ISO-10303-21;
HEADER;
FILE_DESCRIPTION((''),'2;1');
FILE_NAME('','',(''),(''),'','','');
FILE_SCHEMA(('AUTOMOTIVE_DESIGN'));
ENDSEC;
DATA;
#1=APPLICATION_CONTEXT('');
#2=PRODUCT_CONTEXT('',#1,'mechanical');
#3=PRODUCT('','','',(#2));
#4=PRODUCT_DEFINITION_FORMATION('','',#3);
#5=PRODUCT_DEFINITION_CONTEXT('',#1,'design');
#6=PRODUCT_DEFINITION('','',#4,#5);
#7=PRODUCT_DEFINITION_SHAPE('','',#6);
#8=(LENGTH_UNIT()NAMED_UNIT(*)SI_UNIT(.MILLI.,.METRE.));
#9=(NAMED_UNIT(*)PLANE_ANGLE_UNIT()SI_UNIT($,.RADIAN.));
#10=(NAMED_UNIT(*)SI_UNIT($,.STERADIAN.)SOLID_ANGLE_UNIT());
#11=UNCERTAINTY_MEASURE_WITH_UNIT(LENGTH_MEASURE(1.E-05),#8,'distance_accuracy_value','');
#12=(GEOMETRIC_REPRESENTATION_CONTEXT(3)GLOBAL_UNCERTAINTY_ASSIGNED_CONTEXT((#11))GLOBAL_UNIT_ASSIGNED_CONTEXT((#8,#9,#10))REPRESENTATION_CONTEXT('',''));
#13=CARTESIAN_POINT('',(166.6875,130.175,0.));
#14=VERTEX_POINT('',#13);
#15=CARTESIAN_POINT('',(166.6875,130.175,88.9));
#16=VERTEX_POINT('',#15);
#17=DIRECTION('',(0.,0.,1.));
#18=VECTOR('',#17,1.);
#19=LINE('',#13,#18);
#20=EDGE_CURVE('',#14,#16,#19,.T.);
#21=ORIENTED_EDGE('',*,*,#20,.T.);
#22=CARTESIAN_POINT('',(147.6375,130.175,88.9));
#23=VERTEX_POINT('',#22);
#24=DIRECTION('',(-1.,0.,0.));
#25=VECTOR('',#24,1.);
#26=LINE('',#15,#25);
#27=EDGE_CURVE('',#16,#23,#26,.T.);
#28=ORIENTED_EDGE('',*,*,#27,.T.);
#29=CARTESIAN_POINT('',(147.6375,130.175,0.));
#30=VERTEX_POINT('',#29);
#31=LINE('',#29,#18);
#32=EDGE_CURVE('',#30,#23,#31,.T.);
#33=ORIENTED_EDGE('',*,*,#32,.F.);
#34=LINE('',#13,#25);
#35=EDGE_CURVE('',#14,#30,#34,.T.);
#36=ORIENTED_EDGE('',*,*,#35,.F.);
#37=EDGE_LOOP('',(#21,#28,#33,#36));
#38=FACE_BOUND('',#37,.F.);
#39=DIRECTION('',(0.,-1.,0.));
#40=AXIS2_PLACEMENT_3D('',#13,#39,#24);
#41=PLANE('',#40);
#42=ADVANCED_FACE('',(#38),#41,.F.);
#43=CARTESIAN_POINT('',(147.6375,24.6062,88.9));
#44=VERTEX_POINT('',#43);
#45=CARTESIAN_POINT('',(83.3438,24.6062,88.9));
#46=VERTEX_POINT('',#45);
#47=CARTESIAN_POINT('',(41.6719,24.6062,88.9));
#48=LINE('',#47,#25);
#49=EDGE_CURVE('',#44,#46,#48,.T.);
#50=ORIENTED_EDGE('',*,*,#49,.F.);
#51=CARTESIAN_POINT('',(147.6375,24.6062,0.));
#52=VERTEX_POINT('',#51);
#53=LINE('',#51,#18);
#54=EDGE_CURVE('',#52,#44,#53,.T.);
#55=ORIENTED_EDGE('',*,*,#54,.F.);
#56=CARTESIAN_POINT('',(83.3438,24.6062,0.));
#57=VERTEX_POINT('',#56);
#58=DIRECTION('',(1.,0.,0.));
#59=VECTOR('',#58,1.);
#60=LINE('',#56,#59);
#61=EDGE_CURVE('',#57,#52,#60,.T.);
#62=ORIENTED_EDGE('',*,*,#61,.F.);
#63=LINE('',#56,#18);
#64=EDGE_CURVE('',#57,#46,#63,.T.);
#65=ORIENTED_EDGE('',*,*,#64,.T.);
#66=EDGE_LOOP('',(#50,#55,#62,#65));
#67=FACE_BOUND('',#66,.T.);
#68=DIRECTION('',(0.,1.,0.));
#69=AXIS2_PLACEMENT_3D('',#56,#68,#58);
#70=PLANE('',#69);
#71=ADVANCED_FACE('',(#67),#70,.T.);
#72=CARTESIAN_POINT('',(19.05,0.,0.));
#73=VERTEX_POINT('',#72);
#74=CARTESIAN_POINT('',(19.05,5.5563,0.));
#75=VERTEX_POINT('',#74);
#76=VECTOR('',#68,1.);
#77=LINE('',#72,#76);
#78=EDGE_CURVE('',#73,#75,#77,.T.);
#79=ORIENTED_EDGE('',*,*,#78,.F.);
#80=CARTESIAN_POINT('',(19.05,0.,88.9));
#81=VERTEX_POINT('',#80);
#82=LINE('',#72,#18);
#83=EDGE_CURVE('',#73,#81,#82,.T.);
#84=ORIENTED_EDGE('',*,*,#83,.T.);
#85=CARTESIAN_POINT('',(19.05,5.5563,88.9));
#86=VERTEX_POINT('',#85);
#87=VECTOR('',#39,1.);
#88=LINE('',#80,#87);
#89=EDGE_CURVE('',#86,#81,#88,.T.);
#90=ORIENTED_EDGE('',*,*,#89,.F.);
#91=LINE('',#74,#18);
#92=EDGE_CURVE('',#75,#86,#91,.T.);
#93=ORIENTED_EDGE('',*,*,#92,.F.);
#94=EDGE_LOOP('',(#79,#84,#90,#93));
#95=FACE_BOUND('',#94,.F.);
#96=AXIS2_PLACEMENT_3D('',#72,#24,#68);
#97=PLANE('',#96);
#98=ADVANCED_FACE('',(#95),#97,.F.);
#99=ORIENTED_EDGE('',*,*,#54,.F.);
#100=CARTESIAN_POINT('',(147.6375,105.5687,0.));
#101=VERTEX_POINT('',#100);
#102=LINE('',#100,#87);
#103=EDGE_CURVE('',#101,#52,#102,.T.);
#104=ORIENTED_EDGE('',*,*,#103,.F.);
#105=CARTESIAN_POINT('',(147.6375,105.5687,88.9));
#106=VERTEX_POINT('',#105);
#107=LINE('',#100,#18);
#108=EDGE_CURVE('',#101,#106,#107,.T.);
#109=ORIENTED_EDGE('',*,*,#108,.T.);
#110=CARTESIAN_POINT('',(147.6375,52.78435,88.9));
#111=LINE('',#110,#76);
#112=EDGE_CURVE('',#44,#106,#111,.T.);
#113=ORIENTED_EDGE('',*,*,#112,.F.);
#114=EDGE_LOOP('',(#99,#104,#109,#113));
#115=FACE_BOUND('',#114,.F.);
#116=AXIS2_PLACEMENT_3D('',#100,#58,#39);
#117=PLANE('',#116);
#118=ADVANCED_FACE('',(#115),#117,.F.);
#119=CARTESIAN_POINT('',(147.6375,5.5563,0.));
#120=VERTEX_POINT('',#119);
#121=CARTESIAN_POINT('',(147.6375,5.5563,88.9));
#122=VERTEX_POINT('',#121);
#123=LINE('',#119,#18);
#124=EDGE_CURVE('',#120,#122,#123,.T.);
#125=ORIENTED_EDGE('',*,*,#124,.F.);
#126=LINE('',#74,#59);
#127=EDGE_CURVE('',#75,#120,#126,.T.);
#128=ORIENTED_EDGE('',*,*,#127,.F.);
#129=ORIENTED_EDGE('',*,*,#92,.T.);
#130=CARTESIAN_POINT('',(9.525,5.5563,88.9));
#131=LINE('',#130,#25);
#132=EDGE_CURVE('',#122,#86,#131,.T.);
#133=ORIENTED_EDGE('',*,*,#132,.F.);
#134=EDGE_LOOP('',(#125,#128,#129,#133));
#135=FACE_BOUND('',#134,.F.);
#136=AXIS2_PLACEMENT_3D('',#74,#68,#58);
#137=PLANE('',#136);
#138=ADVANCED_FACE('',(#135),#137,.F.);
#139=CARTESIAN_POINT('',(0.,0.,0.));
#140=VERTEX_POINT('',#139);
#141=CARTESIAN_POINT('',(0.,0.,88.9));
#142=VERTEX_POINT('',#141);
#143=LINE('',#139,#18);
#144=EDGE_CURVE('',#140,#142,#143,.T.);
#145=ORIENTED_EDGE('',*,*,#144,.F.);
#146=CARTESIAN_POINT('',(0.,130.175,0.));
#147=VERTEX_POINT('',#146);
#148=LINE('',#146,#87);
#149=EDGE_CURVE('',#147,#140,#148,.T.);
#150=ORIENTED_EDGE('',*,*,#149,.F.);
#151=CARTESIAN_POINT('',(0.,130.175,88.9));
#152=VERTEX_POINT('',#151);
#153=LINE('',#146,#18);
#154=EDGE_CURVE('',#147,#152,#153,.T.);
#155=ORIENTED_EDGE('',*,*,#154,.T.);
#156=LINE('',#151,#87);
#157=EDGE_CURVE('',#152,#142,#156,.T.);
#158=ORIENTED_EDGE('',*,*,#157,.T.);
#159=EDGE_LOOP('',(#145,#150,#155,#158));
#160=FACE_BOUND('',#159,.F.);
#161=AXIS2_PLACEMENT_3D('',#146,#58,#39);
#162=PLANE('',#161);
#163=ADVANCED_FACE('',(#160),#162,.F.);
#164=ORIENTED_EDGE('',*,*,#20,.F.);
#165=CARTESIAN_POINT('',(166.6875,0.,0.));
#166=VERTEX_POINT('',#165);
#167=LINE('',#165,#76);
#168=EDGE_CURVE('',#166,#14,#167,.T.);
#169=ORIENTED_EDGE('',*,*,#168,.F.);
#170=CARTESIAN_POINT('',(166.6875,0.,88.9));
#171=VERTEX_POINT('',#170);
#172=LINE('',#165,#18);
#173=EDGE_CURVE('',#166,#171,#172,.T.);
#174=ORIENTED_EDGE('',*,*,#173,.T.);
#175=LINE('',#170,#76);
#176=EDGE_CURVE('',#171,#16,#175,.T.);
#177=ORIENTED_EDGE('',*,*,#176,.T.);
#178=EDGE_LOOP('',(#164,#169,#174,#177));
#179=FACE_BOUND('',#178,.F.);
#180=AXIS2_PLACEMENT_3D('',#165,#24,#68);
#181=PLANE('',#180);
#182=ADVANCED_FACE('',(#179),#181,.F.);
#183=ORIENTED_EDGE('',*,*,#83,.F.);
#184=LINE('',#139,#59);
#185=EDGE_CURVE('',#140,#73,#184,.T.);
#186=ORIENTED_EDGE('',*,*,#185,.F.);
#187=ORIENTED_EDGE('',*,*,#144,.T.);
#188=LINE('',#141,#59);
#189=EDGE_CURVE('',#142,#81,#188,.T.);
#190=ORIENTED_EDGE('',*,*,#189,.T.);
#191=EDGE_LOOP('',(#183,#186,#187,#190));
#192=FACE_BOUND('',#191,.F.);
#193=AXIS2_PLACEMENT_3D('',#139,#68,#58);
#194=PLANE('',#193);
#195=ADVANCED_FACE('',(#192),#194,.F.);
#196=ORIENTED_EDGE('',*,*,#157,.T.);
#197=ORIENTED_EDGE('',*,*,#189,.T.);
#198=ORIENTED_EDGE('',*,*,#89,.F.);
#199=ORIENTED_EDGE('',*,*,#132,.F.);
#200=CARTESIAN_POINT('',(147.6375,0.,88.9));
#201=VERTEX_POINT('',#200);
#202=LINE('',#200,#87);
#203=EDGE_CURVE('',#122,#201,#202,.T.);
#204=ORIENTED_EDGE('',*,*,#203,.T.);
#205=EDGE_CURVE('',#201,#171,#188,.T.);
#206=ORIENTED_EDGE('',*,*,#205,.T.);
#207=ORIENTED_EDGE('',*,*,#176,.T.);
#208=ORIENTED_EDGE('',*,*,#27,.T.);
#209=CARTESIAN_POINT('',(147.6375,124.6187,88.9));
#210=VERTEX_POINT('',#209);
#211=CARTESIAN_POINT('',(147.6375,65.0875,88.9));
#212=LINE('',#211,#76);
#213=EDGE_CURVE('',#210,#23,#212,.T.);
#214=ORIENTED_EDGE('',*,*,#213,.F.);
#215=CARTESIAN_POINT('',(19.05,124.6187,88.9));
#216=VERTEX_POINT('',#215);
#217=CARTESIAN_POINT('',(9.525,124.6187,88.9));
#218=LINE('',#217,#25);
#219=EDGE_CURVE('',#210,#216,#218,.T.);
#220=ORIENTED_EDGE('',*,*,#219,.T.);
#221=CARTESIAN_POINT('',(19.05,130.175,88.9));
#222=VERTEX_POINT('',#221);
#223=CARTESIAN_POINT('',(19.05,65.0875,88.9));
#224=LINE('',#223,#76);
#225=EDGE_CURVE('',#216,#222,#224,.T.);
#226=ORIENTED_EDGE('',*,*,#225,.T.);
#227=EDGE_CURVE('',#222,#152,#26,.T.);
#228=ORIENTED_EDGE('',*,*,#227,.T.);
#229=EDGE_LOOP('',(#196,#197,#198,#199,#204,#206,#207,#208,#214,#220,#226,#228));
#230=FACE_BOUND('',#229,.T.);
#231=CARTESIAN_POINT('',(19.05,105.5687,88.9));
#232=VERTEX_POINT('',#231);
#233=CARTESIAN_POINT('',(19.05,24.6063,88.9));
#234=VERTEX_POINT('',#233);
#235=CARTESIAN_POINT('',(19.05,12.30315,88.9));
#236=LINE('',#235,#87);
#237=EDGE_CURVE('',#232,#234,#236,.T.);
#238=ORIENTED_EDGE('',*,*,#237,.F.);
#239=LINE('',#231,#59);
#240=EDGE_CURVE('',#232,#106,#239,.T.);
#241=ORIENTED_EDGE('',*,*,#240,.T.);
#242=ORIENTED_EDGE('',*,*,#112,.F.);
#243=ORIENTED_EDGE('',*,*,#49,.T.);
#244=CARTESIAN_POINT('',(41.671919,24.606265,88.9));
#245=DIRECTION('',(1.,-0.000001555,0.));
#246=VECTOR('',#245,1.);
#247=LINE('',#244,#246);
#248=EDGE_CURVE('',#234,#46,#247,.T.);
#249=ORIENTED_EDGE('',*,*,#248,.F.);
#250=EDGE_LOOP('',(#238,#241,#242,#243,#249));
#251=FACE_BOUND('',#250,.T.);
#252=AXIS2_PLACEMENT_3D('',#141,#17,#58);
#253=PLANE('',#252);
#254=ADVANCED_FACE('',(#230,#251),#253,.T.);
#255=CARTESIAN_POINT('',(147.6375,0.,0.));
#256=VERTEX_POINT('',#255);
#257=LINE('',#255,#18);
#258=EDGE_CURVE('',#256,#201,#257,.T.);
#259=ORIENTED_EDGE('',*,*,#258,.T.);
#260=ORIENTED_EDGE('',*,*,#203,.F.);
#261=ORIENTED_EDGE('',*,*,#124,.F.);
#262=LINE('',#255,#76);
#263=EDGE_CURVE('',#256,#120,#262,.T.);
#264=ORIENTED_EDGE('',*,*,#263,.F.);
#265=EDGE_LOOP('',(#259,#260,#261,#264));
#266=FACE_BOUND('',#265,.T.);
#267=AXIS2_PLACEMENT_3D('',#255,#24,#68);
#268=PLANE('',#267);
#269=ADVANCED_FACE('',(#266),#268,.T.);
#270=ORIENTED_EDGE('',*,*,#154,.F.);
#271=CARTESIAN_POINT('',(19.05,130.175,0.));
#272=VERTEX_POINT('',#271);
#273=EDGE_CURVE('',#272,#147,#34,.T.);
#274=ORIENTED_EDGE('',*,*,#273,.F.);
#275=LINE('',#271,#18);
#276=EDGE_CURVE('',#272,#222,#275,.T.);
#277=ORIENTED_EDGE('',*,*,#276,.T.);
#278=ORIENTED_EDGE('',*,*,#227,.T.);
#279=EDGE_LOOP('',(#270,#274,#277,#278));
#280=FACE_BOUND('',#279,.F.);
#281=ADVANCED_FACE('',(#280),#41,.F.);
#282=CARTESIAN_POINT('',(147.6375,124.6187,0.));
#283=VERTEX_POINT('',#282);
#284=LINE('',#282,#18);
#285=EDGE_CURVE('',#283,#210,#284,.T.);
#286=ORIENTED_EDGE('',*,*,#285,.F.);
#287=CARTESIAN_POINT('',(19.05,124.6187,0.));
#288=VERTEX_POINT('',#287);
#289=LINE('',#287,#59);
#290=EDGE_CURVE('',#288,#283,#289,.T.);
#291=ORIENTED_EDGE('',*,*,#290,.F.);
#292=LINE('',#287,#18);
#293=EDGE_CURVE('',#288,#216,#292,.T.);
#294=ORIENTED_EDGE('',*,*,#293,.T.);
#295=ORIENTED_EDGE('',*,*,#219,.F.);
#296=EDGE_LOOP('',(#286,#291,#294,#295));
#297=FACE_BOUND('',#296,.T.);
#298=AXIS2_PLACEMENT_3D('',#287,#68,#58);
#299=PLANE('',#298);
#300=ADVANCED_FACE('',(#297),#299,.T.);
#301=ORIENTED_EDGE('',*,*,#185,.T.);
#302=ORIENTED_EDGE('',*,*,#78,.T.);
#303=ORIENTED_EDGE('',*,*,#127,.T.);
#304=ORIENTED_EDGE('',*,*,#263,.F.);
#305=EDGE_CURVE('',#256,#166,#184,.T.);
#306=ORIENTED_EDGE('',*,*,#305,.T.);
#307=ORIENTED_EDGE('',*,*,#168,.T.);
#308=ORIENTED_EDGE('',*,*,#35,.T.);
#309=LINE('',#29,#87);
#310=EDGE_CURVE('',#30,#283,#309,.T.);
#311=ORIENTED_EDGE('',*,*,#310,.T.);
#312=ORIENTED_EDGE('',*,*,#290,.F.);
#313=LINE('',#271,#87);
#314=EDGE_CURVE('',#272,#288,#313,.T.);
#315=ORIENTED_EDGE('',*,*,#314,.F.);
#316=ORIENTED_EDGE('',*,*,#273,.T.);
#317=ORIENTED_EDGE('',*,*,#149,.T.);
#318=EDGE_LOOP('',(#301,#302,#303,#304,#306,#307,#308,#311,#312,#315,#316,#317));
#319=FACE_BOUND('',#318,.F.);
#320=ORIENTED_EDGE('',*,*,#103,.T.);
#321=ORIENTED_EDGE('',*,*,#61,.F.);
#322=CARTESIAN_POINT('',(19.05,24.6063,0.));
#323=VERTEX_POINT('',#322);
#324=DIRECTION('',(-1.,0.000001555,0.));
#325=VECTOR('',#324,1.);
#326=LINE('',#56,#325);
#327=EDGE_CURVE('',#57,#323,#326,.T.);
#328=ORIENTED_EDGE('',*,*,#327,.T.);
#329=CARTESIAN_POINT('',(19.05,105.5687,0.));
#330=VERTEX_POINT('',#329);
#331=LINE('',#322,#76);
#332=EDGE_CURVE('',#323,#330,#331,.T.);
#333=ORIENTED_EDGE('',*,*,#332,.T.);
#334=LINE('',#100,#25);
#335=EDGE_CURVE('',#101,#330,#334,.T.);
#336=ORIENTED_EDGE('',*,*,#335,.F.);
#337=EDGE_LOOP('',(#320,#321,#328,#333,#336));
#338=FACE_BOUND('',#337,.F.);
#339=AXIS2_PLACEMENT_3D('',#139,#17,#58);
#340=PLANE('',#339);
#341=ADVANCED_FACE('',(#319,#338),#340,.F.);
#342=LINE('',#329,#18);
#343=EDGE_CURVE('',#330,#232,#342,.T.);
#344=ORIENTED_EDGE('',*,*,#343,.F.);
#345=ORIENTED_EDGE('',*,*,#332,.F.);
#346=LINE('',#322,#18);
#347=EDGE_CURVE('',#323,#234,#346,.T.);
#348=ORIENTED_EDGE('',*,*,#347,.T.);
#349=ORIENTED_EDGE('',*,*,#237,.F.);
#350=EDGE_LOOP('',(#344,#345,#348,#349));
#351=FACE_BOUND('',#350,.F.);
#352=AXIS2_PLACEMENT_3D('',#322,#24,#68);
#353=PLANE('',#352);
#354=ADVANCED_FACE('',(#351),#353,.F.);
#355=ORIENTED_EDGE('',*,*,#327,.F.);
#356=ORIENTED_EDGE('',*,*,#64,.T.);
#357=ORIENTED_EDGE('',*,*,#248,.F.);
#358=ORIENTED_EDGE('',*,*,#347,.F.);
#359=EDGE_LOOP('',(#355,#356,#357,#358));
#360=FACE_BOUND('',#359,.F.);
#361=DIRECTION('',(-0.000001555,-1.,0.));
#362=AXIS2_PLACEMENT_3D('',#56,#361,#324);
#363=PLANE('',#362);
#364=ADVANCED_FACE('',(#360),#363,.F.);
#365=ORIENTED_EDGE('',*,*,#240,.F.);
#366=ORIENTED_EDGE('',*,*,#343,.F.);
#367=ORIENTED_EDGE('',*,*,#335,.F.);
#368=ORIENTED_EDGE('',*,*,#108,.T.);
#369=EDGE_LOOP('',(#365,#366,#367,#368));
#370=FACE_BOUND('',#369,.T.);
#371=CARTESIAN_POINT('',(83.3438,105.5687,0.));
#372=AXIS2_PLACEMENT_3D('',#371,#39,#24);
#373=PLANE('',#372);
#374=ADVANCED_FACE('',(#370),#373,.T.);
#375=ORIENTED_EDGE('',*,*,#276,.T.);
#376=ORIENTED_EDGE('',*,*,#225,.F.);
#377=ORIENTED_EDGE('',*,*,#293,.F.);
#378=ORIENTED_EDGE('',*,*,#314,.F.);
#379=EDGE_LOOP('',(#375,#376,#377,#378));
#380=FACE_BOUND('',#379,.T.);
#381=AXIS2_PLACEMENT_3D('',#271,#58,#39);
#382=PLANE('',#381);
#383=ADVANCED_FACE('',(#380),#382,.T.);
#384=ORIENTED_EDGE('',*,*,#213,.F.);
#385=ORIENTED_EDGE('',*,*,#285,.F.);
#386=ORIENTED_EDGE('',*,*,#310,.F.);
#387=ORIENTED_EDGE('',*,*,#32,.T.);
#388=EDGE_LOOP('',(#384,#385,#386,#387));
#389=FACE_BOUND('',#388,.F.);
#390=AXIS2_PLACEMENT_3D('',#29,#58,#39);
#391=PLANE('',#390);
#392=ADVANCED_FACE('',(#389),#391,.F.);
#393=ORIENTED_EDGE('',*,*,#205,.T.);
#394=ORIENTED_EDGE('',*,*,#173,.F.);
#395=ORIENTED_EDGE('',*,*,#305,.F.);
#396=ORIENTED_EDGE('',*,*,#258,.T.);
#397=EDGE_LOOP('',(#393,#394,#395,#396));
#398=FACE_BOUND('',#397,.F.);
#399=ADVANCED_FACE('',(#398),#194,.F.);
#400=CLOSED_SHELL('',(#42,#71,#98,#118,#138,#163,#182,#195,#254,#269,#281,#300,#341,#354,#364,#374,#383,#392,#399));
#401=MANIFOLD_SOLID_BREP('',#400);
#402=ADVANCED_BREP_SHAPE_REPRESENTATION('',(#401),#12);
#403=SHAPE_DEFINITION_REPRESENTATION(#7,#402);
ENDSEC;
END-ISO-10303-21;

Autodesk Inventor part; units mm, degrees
ref_plane "YZ Plane" through (0, 0, 0) normal (1, 0, 0) x (0, 1, 0)
ref_plane "XZ Plane" through (0, 0, 0) normal (0, 1, 0) x (-1, 0, 0)
ref_plane "XY Plane" through (0, 0, 0) normal (0, 0, 1) x (1, 0, 0)
sketch "Sketch1" plane through (0, 0, 0) normal (0, 0, 1) x (1, 0, 0)
  line L0 (0, 0) -> (166.6875, 0)
  line L1 (166.6875, 0) -> (166.6875, 130.175)
  line L2 (166.6875, 130.175) -> (0, 130.175)
  line L3 (0, 130.175) -> (0, 0)
  dimension "d0" = 166.6875
  dimension "d1" = 130.175
extrude "Extrusion1" add sketch "Sketch1" along normal blind 88.9
sketch "Sketch3" plane through (0, 0, 0) normal (0, 0, -1) x (-1, 0, 0)
  line L0 (-166.6875, 0) -> (-166.6875, 130.175) construction
  line L1 (0, 0) -> (-166.6875, 0) projected
  line L2 (0, 130.175) -> (0, 0) construction
  line L3 (-166.6875, 130.175) -> (0, 130.175) construction
  line L4 (-166.6875, 0) -> (-147.6375, 0) construction
  line L5 (-147.6375, 0) -> (-147.6375, 5.5563)
  line L6 (0, 0) -> (-166.6875, 0) construction
  line L7 (-83.3438, 0) -> (-83.3438, 30.0341) construction
  line L8 (-166.6875, 0) -> (0, 0) construction
  line L9 (0, 0) -> (-19.05, 0) construction
  line L10 (-19.05, 0) -> (-19.05, 5.5563)
  line L11 (-166.6875, 0) -> (0, 0) construction
  line L12 (-19.05, 5.5563) -> (-147.6375, 5.5563)
  line L13 (-147.6375, 5.5563) -> (-19.05, 5.5563)
  line L14 (-19.05, 5.5563) -> (-19.05, 0)
  line L15 (-19.05, 0) -> (-147.6375, 0)
  line L16 (-147.6375, 0) -> (-147.6375, 5.5563)
  line L17 (-166.6875, 65.0875) -> (-112.8864, 65.0875) construction
  line L18 (-147.6375, 130.175) -> (-147.6375, 124.6187)
  line L19 (-19.05, 130.175) -> (-19.05, 124.6187)
  line L20 (-19.05, 124.6187) -> (-147.6375, 124.6187)
  line L21 (-147.6375, 124.6187) -> (-19.05, 124.6187)
  line L22 (-19.05, 124.6187) -> (-19.05, 130.175)
  line L23 (-19.05, 130.175) -> (-147.6375, 130.175)
  line L24 (-147.6375, 130.175) -> (-147.6375, 124.6187)
  point P0 (-83.3438, 130.175)
extrude "Extrusion2" cut sketch "Sketch3" against normal through all
sketch "Sketch4" plane through (0, 0, 0) normal (0, 0, -1) x (-1, 0, 0)
  line L0 (-147.6375, 124.6187) -> (-147.6375, 130.175) projected
  line L1 (-166.6875, 130.175) -> (-147.6375, 130.175) projected
  line L2 (-166.6875, 0) -> (-166.6875, 130.175) projected
  line L3 (-147.6375, 0) -> (-166.6875, 0) projected
  line L4 (-147.6375, 0) -> (-147.6375, 5.5563) projected
  line L5 (-147.6375, 5.5563) -> (-19.05, 5.5563) projected
  line L6 (-19.05, 5.5563) -> (-19.05, 0) projected
  line L7 (0, 0) -> (-19.05, 0) projected
  line L8 (0, 130.175) -> (0, 0) projected
  line L9 (-19.05, 130.175) -> (0, 130.175) projected
  line L10 (-19.05, 130.175) -> (-19.05, 124.6187) projected
  line L11 (-19.05, 124.6187) -> (-147.6375, 124.6187) projected
  line L12 (-147.6375, 124.6187) -> (-147.6375, 5.5563) construction
  line L13 (-19.05, 5.5563) -> (-19.05, 124.6187) construction
  line L14 (-19.05, 124.6187) -> (-147.6375, 124.6187) construction
  line L15 (-83.3438, 124.6187) -> (-83.3438, 105.5687) construction
  line L16 (-83.3438, 105.5687) -> (-19.05, 105.5687)
  line L17 (-83.3438, 105.5687) -> (-147.6375, 105.5687)
  line L18 (-147.6375, 65.0875) -> (-19.05, 65.0875) construction
  line L19 (-83.3438, 24.6062) -> (-19.05, 24.6063)
  line L20 (-83.3438, 24.6062) -> (-147.6375, 24.6062)
  line L21 (-147.6375, 105.5687) -> (-147.6375, 24.6062)
  line L22 (-19.05, 24.6063) -> (-19.05, 105.5687)
  dimension "d8" = 19.05
extrude "Extrusion3" cut sketch "Sketch4" against normal through all contours L16 L22 L19 L20 L21 L17
properties part number "Magnet"
